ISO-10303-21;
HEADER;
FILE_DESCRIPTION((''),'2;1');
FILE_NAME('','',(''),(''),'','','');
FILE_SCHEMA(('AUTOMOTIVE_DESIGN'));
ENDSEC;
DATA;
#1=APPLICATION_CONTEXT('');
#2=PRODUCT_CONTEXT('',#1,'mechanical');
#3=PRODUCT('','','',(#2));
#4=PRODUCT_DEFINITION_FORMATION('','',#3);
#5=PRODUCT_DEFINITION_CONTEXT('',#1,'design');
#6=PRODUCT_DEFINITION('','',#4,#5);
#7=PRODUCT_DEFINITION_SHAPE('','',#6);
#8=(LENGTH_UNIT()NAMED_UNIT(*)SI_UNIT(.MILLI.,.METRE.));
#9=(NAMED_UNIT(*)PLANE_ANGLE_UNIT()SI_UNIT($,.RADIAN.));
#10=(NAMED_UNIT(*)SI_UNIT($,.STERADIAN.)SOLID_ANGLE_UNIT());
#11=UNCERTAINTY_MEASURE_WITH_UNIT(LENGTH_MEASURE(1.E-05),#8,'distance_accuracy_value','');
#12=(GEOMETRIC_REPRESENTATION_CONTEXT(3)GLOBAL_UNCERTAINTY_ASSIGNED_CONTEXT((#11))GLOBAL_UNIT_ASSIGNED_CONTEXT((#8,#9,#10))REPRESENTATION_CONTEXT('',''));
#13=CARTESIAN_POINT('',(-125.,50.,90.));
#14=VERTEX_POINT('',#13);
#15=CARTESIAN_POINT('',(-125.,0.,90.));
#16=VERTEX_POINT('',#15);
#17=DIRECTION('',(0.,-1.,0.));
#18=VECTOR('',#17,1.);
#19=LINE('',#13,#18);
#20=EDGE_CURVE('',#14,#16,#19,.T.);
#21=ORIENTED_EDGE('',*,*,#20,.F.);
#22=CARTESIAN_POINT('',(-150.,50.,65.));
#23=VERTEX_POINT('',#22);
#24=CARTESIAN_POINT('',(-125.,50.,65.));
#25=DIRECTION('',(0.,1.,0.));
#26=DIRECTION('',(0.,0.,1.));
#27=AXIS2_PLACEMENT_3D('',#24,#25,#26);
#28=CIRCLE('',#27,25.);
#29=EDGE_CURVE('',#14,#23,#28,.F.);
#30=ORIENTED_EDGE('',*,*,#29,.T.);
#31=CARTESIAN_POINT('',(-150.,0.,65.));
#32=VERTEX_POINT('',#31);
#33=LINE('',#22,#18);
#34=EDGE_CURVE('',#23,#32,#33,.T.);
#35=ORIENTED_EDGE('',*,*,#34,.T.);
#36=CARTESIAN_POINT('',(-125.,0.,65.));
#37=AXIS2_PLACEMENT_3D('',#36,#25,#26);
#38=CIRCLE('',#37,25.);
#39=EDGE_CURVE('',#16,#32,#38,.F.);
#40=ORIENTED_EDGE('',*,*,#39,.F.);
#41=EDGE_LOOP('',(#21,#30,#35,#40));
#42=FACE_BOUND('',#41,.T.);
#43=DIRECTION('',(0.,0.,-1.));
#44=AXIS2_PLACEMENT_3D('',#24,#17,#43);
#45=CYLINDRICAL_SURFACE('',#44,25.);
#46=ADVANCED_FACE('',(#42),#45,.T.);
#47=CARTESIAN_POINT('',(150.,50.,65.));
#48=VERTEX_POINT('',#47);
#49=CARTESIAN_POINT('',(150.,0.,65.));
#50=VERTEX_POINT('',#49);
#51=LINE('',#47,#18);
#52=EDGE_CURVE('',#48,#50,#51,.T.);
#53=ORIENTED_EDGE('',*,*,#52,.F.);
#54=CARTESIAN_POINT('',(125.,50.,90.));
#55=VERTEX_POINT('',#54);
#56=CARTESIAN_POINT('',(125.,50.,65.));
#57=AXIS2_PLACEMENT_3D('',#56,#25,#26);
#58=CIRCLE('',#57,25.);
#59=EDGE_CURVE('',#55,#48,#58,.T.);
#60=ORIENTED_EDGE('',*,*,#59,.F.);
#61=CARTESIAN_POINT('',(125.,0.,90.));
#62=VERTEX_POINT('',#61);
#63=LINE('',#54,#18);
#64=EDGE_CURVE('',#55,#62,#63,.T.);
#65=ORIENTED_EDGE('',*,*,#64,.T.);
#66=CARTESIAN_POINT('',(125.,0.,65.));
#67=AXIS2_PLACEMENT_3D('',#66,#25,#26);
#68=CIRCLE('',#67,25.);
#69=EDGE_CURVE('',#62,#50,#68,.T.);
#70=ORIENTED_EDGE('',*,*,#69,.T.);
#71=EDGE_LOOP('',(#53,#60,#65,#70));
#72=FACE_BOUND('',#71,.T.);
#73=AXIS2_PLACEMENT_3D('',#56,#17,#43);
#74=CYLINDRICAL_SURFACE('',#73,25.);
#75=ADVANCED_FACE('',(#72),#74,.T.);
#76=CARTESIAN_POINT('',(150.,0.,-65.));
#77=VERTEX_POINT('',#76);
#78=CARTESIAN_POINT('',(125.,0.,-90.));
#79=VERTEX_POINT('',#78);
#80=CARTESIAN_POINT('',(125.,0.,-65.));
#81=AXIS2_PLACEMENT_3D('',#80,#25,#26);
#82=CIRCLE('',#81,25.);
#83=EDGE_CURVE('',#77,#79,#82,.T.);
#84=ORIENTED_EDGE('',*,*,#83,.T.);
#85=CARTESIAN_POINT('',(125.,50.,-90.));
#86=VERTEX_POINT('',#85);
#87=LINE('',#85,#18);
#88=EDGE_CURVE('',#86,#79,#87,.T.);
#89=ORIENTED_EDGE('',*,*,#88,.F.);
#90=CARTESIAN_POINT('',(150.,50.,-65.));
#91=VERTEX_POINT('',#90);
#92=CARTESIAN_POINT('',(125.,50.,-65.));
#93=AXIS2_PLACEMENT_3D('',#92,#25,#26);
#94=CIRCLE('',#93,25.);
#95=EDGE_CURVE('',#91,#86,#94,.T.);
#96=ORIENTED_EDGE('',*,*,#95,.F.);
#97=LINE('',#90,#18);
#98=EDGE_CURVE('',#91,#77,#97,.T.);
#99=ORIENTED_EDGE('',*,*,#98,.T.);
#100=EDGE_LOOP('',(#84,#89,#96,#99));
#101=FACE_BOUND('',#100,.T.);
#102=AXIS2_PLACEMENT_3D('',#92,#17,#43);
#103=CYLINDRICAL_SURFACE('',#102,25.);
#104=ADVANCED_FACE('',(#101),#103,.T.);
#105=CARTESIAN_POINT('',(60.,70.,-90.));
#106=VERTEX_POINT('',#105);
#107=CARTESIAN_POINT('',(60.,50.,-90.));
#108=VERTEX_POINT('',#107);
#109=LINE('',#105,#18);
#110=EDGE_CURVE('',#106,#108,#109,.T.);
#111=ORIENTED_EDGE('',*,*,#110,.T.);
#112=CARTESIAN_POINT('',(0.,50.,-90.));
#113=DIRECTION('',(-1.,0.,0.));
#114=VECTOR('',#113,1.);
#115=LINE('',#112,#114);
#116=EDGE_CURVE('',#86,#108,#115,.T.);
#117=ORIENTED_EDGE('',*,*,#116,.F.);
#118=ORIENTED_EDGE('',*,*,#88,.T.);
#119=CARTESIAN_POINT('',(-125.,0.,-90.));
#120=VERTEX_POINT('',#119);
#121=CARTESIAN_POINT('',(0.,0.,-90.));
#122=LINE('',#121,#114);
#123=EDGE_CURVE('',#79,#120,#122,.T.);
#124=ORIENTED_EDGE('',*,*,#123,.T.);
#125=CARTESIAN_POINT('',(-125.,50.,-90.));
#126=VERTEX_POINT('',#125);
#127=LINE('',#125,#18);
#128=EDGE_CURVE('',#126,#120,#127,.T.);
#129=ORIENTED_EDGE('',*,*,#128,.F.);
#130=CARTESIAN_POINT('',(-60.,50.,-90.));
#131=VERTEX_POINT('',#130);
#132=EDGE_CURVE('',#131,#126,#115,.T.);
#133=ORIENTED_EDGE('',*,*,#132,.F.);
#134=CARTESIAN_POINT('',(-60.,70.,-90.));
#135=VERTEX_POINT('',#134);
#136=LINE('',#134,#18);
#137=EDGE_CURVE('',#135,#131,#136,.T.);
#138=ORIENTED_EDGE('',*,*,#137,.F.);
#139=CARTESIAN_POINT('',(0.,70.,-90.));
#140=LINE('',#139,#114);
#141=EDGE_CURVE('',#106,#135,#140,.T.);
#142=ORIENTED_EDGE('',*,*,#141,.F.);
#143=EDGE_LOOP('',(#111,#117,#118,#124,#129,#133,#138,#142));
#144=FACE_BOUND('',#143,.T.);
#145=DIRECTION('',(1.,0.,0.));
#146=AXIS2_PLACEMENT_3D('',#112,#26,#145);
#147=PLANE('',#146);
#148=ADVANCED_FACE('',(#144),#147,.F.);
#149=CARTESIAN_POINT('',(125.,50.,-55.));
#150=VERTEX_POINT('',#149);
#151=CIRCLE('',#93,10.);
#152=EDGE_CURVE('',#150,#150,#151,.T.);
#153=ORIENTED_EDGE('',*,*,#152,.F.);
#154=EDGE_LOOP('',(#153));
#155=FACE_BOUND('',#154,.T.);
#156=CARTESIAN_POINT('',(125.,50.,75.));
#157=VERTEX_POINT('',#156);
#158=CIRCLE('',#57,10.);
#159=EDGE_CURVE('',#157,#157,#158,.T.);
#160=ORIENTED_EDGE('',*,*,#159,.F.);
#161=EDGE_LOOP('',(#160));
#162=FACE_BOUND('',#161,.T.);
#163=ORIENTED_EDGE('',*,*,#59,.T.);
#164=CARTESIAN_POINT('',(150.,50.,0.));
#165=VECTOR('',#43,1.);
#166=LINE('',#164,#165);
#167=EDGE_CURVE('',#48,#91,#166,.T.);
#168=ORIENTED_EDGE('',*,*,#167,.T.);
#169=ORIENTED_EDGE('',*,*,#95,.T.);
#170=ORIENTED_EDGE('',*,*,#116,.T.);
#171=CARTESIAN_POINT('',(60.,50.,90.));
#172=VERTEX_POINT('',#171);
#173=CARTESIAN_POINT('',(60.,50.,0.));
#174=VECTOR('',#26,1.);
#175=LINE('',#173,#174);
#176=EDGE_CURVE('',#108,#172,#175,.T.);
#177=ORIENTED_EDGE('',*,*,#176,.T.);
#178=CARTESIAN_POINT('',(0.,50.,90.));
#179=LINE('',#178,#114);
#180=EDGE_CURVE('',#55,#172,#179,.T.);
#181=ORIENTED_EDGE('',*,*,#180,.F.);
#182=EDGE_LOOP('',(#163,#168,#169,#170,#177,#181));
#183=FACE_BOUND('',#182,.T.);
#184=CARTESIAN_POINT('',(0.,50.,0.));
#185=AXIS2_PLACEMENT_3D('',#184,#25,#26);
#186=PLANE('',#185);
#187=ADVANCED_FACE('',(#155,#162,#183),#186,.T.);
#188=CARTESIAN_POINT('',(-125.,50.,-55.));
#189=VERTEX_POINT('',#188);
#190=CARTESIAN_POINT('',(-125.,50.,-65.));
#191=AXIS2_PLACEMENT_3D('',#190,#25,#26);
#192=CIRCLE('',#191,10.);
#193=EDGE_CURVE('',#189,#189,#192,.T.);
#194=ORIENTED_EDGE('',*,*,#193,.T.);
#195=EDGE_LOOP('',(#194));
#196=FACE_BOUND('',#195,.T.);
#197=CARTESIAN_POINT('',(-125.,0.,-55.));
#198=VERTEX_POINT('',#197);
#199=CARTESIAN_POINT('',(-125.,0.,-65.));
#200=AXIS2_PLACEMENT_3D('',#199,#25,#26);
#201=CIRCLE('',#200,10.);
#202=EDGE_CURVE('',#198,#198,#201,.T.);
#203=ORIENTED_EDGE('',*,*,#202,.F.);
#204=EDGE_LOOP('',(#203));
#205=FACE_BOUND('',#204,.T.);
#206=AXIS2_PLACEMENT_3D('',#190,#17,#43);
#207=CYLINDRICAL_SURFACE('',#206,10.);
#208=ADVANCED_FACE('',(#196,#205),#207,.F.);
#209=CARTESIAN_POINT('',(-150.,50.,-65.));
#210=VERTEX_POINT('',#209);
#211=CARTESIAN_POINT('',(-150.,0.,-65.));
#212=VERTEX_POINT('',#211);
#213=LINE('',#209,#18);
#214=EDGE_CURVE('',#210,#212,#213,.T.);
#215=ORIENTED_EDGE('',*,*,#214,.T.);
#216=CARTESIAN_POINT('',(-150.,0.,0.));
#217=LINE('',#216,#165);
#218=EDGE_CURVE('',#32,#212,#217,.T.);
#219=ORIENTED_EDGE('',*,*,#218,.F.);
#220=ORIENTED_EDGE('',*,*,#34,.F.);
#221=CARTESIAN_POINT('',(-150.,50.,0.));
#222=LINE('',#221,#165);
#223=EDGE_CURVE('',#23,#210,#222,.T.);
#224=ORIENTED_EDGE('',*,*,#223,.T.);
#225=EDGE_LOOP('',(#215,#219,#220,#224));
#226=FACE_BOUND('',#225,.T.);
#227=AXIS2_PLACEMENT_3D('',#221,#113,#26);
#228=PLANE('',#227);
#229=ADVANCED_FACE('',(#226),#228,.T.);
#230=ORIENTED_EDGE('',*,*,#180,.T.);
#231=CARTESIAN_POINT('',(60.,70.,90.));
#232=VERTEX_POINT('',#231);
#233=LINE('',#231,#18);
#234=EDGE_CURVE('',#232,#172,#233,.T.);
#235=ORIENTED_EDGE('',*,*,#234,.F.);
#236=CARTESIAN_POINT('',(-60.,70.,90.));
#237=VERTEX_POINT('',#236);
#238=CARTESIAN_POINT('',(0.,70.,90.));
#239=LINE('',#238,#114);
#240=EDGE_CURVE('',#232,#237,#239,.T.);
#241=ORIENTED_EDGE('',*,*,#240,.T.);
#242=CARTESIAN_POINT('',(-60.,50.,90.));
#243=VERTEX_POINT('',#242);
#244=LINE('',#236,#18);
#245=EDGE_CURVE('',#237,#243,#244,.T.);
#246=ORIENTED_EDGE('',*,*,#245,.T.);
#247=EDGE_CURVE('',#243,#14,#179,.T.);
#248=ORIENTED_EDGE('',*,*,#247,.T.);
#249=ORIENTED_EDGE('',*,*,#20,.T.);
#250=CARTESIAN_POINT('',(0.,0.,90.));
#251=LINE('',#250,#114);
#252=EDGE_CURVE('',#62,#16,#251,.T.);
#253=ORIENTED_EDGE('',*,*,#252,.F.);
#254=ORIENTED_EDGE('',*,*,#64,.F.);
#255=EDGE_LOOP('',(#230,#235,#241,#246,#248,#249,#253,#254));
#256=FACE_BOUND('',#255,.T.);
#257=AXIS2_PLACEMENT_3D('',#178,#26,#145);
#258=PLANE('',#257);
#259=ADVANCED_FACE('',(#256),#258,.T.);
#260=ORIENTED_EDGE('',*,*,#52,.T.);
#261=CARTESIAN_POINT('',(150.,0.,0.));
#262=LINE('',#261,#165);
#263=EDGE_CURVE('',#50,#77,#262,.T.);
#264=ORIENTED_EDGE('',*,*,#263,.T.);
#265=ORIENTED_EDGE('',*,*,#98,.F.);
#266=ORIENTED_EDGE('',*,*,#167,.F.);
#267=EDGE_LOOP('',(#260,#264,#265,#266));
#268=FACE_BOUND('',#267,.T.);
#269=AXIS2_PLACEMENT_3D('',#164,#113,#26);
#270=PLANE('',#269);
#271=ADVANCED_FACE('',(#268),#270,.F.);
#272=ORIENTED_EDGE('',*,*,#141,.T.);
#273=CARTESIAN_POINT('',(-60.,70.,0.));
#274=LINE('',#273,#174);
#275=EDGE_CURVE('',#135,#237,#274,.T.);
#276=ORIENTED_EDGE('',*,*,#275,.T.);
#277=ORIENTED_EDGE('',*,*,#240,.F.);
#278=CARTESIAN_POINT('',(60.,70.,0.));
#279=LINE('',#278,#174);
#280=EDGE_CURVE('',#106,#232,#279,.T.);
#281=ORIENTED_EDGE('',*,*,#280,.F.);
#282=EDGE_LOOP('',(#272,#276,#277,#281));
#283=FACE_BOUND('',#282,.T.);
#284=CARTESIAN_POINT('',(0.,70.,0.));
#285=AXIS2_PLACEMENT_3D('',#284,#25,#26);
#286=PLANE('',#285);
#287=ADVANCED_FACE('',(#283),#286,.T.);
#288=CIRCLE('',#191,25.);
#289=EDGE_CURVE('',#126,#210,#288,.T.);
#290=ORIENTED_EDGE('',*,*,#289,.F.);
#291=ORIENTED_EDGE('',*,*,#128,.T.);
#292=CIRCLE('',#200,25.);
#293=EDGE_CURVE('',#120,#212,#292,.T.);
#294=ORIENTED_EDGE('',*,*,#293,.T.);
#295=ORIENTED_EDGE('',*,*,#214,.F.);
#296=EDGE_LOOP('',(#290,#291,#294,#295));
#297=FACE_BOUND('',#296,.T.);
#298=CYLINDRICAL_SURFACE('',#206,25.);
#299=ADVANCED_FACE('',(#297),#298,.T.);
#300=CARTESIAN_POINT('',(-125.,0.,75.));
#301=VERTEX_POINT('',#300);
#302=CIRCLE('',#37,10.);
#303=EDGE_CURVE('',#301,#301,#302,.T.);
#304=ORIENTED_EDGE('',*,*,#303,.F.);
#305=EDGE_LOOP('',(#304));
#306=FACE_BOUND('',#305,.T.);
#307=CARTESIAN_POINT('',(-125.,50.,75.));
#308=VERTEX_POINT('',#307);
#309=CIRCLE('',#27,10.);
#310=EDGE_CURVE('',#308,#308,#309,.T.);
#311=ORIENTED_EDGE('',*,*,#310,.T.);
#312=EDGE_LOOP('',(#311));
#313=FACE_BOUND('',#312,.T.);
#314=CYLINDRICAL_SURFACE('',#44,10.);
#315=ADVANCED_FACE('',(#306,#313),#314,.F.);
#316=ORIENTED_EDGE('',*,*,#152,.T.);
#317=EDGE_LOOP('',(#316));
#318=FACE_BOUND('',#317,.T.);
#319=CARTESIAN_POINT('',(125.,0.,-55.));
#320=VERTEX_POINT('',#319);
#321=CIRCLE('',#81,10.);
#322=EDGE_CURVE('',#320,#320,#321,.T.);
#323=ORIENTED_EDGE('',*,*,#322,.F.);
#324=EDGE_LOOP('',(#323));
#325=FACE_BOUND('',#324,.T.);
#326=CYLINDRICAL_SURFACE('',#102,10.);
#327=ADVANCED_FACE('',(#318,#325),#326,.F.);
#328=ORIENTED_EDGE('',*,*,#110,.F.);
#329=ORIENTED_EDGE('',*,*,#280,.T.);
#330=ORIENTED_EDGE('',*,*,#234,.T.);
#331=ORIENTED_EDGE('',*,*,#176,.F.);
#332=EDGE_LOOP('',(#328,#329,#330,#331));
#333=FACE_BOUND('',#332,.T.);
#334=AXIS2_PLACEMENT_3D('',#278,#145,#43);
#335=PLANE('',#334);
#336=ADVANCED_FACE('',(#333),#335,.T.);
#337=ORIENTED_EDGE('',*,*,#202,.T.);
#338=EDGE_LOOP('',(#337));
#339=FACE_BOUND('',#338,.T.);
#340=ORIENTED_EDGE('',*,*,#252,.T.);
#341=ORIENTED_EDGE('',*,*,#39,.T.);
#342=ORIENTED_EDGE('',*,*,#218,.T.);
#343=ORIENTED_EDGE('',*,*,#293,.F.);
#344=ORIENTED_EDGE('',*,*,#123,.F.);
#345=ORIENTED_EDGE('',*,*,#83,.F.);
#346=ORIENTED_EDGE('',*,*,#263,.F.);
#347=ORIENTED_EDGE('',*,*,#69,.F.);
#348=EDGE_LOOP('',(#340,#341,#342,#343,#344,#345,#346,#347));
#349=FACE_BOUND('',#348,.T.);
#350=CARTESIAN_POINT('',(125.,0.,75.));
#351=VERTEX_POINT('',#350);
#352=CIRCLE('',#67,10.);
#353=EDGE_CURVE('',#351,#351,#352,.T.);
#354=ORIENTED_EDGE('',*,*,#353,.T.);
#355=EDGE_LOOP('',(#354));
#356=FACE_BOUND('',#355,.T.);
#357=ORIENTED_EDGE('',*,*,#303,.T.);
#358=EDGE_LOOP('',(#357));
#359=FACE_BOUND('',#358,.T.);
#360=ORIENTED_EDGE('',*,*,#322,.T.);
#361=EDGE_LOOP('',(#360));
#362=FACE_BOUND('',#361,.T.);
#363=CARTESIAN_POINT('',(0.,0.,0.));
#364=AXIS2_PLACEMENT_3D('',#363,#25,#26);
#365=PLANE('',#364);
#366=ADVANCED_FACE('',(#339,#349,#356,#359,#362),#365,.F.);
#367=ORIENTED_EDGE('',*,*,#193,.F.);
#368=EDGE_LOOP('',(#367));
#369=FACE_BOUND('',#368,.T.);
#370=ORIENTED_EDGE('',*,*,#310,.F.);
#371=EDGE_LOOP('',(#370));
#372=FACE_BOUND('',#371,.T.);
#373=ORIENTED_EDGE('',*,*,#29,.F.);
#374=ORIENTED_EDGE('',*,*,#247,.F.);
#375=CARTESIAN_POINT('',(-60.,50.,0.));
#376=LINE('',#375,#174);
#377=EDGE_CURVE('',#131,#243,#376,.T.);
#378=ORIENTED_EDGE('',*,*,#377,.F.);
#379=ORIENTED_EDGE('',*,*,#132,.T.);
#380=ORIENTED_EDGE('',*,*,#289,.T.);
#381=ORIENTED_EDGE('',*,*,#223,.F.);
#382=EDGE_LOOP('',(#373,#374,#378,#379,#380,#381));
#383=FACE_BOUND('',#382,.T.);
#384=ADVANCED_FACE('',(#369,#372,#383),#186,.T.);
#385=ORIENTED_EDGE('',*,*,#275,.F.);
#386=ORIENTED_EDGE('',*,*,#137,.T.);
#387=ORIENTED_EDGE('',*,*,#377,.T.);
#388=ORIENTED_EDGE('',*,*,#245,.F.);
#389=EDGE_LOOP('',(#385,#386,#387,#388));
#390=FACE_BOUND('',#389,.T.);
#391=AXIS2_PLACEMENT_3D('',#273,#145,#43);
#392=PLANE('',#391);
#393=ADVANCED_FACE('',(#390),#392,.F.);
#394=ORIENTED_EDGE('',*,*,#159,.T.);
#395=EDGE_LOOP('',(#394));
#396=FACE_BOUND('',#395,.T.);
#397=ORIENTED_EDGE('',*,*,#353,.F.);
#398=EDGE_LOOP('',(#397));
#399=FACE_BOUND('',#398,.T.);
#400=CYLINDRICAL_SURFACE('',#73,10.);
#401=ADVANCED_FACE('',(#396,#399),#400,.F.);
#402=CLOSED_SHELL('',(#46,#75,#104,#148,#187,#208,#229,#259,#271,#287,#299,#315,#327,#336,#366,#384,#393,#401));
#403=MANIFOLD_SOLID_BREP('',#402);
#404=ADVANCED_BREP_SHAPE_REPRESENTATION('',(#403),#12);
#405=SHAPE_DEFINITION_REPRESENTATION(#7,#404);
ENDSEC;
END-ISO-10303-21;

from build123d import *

# Parameters (mm, degrees)
ESQUISSE1_R          = 10
BOSS_EXTRU_1_DEPTH   = 50
BOSS_EXTRU_1_2_DEPTH = 50
ESQUISSE1_3_W        = 120
ESQUISSE1_3_H        = 180
BOSS_EXTRU_2_DEPTH   = 70


with BuildPart() as part:
    # Esquisse1 → Boss.-Extru.1 (new body)
    with BuildSketch(Plane(origin=(0, 0, 0), x_dir=(1, 0, 0), z_dir=(0, 1, 0))):
        with BuildLine():
            Line((-60, -90), (-60, 90))
            Line((-60, 90), (-125, 90))
            ThreePointArc((-125, 90), (-142.67766953, 82.67766953), (-150, 65))
            Line((-150, 65), (-150, -65))
            ThreePointArc((-150, -65), (-142.67766953, -82.67766953), (-125, -90))
            Line((-125, -90), (-60, -90))
        make_face()
        with Locations((-125, -65)):
            Circle(ESQUISSE1_R, mode=Mode.SUBTRACT)
        with Locations((-125, 65)):
            Circle(ESQUISSE1_R, mode=Mode.SUBTRACT)
    extrude(amount=BOSS_EXTRU_1_DEPTH)



with BuildPart() as body_2:
    # Esquisse1 → Boss.-Extru.1 2 (new body)
    with BuildSketch(Plane(origin=(0, 0, 0), x_dir=(1, 0, 0), z_dir=(0, 1, 0))):
        with BuildLine():
            Line((125, 90), (60, 90))
            Line((60, 90), (60, -90))
            Line((60, -90), (125, -90))
            ThreePointArc((125, -90), (142.67766953, -82.67766953), (150, -65))
            Line((150, -65), (150, 65))
            ThreePointArc((150, 65), (142.67766953, 82.67766953), (125, 90))
        make_face()
        with Locations((125, -65)):
            Circle(ESQUISSE1_R, mode=Mode.SUBTRACT)
        with Locations((125, 65)):
            Circle(ESQUISSE1_R, mode=Mode.SUBTRACT)
    extrude(amount=BOSS_EXTRU_1_2_DEPTH)


with BuildPart() as part_1:
    add(part.part)

    add(body_2.part)  # Boss.-Extru.2 merges body 2
    # Esquisse1<3> → Boss.-Extru.2 (add)
    with BuildSketch(Plane(origin=(0, 0, 0), x_dir=(1, 0, 0), z_dir=(0, 1, 0))):
        Rectangle(ESQUISSE1_3_W, ESQUISSE1_3_H)
    extrude(amount=BOSS_EXTRU_2_DEPTH)


solid = part_1.part
